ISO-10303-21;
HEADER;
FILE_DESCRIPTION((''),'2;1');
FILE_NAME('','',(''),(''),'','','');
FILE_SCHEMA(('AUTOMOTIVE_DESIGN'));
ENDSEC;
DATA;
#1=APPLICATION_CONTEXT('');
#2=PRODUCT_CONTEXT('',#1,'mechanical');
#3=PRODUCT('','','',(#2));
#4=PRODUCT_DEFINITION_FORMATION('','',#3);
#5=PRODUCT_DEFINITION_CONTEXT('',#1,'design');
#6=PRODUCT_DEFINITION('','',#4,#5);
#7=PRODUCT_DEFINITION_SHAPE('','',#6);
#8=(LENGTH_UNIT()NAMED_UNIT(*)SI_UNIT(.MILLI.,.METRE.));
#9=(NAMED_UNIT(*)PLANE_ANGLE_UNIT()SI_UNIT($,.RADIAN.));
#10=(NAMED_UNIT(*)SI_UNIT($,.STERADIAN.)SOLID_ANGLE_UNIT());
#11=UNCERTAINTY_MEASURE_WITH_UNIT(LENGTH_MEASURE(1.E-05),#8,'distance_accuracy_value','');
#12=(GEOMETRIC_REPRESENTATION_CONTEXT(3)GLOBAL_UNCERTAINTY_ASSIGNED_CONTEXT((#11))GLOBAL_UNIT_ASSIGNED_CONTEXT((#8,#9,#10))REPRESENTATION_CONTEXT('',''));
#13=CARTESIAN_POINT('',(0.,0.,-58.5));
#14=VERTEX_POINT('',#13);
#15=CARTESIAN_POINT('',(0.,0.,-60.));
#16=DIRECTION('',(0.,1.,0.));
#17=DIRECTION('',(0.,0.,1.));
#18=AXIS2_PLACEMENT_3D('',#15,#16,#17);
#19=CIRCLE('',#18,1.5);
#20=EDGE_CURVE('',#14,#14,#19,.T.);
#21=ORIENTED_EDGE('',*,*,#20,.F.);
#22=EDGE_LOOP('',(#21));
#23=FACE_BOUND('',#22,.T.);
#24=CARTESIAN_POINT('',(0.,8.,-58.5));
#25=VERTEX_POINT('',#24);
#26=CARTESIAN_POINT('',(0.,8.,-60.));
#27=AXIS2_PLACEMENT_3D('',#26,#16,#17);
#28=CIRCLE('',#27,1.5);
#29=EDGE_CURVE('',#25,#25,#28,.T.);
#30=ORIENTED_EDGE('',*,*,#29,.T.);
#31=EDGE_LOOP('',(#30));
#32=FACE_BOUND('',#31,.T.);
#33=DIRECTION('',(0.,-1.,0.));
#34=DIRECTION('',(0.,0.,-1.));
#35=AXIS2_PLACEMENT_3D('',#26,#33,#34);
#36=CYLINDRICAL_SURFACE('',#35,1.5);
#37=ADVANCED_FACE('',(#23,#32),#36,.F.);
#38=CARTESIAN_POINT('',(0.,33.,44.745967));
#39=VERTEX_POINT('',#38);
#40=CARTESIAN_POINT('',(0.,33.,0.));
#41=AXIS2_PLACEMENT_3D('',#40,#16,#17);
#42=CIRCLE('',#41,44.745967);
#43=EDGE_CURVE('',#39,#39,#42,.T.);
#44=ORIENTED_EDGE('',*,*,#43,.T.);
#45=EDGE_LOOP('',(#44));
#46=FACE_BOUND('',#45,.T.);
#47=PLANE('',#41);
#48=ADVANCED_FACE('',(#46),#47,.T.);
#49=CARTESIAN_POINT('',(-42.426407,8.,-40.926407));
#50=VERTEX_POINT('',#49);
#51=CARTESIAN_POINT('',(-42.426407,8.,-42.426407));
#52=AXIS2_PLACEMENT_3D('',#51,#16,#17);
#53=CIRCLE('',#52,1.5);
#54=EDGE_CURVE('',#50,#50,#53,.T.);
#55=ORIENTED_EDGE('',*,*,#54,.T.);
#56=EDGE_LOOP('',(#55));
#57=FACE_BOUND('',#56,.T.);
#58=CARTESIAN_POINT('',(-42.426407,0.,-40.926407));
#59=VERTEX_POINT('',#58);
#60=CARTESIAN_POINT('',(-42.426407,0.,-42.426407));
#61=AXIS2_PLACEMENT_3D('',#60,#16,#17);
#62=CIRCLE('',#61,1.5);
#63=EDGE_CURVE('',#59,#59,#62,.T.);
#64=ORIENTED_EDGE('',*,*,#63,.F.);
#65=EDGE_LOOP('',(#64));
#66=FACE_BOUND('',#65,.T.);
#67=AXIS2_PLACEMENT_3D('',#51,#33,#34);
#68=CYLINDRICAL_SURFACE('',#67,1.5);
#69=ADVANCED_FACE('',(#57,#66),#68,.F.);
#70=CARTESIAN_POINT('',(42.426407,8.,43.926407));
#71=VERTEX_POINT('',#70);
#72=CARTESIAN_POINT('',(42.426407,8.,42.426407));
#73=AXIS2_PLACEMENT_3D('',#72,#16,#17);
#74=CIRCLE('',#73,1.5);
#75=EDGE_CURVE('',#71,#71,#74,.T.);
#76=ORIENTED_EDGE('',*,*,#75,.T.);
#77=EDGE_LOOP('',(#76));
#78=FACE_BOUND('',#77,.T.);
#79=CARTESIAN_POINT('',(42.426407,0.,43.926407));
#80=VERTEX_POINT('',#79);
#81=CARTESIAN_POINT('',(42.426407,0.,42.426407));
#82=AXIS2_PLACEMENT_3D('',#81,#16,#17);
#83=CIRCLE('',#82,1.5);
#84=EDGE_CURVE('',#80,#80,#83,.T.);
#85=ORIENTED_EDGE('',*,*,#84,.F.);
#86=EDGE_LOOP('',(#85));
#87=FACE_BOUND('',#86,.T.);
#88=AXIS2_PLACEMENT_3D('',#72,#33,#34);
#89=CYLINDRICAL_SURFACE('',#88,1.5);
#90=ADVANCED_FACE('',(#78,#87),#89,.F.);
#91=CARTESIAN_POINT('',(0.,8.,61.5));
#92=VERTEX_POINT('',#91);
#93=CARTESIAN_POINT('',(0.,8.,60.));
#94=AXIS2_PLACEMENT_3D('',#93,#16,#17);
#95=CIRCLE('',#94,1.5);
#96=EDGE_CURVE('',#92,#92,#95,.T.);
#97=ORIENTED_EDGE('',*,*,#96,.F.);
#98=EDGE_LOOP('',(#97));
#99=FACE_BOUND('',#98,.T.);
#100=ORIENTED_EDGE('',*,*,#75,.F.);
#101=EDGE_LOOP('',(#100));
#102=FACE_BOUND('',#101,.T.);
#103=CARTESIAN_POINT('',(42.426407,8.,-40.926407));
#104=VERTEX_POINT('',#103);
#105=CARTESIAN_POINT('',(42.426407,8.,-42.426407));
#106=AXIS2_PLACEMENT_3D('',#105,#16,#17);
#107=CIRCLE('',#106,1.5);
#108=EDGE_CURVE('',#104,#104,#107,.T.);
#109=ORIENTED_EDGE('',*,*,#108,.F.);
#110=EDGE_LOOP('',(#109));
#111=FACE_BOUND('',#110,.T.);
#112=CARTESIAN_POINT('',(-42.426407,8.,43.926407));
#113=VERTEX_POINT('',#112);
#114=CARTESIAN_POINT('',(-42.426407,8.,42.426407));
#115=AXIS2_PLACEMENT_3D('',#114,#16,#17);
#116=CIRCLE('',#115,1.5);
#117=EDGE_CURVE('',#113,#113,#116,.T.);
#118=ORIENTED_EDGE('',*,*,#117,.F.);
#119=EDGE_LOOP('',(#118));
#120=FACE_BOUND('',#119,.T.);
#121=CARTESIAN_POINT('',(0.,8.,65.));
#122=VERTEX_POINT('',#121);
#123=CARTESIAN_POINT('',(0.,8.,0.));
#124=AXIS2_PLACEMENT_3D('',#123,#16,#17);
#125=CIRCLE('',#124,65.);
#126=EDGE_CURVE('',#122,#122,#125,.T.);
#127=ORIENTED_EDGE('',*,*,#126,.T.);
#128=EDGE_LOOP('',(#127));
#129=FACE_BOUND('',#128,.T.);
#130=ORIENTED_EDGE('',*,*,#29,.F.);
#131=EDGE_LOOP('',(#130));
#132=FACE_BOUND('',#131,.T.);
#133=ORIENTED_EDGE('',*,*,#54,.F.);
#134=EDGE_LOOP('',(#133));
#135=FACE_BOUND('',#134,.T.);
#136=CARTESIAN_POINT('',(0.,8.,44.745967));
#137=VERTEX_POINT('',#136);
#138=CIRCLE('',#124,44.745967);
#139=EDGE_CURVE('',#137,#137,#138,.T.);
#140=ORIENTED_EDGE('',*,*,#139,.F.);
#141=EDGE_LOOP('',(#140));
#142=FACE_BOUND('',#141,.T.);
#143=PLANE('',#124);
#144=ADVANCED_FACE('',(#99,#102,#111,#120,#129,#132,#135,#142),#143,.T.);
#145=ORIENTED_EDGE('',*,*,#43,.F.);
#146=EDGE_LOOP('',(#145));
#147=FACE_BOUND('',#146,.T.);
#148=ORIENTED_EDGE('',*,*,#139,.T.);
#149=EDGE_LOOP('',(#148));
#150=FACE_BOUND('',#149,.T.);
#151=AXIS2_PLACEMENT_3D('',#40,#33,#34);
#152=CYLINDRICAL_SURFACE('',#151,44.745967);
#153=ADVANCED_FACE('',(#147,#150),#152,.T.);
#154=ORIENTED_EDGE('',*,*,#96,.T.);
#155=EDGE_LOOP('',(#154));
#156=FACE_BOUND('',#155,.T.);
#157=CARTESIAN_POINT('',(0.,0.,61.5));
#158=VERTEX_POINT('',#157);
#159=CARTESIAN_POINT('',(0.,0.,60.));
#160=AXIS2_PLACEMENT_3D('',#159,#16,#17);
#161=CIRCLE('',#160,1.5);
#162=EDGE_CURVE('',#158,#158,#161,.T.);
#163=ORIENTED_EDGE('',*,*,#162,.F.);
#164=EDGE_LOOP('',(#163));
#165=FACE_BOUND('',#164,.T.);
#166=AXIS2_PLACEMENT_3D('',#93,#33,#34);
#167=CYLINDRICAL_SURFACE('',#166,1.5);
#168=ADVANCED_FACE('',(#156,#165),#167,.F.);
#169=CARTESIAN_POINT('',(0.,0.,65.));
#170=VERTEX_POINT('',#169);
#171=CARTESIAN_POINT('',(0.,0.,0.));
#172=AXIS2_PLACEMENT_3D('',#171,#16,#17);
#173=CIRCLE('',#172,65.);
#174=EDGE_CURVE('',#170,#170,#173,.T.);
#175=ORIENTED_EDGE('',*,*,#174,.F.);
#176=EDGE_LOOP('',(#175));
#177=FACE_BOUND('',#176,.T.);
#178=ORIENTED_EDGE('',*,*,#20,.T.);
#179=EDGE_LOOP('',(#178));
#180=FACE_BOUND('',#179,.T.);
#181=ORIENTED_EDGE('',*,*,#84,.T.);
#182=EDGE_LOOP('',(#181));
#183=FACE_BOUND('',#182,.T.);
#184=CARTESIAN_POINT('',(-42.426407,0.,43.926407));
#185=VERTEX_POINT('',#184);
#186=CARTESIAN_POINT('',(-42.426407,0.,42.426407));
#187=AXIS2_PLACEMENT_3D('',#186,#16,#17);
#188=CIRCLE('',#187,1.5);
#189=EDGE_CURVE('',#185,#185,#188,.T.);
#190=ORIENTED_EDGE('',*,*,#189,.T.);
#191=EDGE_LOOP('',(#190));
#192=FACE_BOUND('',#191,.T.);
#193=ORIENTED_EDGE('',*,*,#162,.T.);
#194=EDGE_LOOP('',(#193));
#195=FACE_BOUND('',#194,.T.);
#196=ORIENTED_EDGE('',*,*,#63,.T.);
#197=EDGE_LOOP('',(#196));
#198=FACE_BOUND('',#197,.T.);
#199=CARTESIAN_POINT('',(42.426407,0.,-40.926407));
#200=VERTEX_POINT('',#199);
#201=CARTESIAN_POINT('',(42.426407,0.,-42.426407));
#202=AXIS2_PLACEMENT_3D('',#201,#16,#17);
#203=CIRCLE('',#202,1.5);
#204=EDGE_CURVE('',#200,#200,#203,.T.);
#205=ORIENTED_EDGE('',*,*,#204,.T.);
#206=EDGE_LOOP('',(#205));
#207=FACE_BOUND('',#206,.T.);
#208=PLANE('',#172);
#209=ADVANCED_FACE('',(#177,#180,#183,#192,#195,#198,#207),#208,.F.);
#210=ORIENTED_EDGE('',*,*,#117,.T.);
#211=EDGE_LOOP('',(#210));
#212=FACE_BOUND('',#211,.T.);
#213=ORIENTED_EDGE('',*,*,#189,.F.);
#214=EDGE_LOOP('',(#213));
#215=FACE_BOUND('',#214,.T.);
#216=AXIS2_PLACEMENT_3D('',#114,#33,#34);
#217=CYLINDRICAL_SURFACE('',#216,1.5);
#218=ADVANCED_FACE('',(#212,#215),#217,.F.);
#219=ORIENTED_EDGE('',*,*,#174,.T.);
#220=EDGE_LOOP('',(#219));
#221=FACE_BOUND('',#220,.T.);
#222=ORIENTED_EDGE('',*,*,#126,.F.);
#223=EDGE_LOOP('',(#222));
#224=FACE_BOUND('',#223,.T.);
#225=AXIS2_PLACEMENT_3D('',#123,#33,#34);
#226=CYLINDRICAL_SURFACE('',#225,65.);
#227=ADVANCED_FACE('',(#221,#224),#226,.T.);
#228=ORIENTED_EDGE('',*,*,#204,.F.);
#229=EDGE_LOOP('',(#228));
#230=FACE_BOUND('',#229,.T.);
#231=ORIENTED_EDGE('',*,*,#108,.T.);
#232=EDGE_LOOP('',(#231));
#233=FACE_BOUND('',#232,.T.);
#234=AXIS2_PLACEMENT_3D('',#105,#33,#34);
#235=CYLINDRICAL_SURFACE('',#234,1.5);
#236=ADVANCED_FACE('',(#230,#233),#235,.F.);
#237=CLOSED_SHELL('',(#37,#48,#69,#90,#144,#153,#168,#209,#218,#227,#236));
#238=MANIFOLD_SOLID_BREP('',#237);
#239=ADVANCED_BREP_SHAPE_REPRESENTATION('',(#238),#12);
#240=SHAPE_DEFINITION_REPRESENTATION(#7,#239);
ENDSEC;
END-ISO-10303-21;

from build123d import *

# Parameters (mm, degrees)
SKETCH1_R           = 65
SKETCH1_R_2         = 1.5
BOSS_EXTRUDE1_DEPTH = 8
SKETCH3_R           = 44.745966538
BOSS_EXTRUDE2_DEPTH = 25


with BuildPart() as part:
    # Sketch1 → Boss-Extrude1 (new body)
    with BuildSketch(Plane(origin=(0, 0, 0), x_dir=(1, 0, 0), z_dir=(0, 1, 0))):
        with Locations(Location((0, 0, 0), (0, 0, 270))):
            Circle(SKETCH1_R)
        with Locations(Location((0, -60, 0), (0, 0, 270))):
            Circle(SKETCH1_R_2, mode=Mode.SUBTRACT)
        with Locations(Location((-42.426406871, -42.426406871, 0), (0, 0, 270))):
            Circle(SKETCH1_R_2, mode=Mode.SUBTRACT)
        with Locations(Location((-42.426406871, 42.426406871, 0), (0, 0, 270))):
            Circle(SKETCH1_R_2, mode=Mode.SUBTRACT)
        with Locations(Location((0, 60, 0), (0, 0, 270))):
            Circle(SKETCH1_R_2, mode=Mode.SUBTRACT)
        with Locations(Location((42.426406871, 42.426406871, 0), (0, 0, 270))):
            Circle(SKETCH1_R_2, mode=Mode.SUBTRACT)
        with Locations(Location((42.426406871, -42.426406871, 0), (0, 0, 270))):
            Circle(SKETCH1_R_2, mode=Mode.SUBTRACT)
    extrude(amount=BOSS_EXTRUDE1_DEPTH)

    # Sketch3 → Boss-Extrude2 (add)
    with BuildSketch(Plane(origin=(0, 8, 0), x_dir=(1, 0, 0), z_dir=(0, 1, 0))):
        with Locations(Location((0, 0, 0), (0, 0, 270))):
            Circle(SKETCH3_R)
    extrude(amount=BOSS_EXTRUDE2_DEPTH)


solid = part.part
